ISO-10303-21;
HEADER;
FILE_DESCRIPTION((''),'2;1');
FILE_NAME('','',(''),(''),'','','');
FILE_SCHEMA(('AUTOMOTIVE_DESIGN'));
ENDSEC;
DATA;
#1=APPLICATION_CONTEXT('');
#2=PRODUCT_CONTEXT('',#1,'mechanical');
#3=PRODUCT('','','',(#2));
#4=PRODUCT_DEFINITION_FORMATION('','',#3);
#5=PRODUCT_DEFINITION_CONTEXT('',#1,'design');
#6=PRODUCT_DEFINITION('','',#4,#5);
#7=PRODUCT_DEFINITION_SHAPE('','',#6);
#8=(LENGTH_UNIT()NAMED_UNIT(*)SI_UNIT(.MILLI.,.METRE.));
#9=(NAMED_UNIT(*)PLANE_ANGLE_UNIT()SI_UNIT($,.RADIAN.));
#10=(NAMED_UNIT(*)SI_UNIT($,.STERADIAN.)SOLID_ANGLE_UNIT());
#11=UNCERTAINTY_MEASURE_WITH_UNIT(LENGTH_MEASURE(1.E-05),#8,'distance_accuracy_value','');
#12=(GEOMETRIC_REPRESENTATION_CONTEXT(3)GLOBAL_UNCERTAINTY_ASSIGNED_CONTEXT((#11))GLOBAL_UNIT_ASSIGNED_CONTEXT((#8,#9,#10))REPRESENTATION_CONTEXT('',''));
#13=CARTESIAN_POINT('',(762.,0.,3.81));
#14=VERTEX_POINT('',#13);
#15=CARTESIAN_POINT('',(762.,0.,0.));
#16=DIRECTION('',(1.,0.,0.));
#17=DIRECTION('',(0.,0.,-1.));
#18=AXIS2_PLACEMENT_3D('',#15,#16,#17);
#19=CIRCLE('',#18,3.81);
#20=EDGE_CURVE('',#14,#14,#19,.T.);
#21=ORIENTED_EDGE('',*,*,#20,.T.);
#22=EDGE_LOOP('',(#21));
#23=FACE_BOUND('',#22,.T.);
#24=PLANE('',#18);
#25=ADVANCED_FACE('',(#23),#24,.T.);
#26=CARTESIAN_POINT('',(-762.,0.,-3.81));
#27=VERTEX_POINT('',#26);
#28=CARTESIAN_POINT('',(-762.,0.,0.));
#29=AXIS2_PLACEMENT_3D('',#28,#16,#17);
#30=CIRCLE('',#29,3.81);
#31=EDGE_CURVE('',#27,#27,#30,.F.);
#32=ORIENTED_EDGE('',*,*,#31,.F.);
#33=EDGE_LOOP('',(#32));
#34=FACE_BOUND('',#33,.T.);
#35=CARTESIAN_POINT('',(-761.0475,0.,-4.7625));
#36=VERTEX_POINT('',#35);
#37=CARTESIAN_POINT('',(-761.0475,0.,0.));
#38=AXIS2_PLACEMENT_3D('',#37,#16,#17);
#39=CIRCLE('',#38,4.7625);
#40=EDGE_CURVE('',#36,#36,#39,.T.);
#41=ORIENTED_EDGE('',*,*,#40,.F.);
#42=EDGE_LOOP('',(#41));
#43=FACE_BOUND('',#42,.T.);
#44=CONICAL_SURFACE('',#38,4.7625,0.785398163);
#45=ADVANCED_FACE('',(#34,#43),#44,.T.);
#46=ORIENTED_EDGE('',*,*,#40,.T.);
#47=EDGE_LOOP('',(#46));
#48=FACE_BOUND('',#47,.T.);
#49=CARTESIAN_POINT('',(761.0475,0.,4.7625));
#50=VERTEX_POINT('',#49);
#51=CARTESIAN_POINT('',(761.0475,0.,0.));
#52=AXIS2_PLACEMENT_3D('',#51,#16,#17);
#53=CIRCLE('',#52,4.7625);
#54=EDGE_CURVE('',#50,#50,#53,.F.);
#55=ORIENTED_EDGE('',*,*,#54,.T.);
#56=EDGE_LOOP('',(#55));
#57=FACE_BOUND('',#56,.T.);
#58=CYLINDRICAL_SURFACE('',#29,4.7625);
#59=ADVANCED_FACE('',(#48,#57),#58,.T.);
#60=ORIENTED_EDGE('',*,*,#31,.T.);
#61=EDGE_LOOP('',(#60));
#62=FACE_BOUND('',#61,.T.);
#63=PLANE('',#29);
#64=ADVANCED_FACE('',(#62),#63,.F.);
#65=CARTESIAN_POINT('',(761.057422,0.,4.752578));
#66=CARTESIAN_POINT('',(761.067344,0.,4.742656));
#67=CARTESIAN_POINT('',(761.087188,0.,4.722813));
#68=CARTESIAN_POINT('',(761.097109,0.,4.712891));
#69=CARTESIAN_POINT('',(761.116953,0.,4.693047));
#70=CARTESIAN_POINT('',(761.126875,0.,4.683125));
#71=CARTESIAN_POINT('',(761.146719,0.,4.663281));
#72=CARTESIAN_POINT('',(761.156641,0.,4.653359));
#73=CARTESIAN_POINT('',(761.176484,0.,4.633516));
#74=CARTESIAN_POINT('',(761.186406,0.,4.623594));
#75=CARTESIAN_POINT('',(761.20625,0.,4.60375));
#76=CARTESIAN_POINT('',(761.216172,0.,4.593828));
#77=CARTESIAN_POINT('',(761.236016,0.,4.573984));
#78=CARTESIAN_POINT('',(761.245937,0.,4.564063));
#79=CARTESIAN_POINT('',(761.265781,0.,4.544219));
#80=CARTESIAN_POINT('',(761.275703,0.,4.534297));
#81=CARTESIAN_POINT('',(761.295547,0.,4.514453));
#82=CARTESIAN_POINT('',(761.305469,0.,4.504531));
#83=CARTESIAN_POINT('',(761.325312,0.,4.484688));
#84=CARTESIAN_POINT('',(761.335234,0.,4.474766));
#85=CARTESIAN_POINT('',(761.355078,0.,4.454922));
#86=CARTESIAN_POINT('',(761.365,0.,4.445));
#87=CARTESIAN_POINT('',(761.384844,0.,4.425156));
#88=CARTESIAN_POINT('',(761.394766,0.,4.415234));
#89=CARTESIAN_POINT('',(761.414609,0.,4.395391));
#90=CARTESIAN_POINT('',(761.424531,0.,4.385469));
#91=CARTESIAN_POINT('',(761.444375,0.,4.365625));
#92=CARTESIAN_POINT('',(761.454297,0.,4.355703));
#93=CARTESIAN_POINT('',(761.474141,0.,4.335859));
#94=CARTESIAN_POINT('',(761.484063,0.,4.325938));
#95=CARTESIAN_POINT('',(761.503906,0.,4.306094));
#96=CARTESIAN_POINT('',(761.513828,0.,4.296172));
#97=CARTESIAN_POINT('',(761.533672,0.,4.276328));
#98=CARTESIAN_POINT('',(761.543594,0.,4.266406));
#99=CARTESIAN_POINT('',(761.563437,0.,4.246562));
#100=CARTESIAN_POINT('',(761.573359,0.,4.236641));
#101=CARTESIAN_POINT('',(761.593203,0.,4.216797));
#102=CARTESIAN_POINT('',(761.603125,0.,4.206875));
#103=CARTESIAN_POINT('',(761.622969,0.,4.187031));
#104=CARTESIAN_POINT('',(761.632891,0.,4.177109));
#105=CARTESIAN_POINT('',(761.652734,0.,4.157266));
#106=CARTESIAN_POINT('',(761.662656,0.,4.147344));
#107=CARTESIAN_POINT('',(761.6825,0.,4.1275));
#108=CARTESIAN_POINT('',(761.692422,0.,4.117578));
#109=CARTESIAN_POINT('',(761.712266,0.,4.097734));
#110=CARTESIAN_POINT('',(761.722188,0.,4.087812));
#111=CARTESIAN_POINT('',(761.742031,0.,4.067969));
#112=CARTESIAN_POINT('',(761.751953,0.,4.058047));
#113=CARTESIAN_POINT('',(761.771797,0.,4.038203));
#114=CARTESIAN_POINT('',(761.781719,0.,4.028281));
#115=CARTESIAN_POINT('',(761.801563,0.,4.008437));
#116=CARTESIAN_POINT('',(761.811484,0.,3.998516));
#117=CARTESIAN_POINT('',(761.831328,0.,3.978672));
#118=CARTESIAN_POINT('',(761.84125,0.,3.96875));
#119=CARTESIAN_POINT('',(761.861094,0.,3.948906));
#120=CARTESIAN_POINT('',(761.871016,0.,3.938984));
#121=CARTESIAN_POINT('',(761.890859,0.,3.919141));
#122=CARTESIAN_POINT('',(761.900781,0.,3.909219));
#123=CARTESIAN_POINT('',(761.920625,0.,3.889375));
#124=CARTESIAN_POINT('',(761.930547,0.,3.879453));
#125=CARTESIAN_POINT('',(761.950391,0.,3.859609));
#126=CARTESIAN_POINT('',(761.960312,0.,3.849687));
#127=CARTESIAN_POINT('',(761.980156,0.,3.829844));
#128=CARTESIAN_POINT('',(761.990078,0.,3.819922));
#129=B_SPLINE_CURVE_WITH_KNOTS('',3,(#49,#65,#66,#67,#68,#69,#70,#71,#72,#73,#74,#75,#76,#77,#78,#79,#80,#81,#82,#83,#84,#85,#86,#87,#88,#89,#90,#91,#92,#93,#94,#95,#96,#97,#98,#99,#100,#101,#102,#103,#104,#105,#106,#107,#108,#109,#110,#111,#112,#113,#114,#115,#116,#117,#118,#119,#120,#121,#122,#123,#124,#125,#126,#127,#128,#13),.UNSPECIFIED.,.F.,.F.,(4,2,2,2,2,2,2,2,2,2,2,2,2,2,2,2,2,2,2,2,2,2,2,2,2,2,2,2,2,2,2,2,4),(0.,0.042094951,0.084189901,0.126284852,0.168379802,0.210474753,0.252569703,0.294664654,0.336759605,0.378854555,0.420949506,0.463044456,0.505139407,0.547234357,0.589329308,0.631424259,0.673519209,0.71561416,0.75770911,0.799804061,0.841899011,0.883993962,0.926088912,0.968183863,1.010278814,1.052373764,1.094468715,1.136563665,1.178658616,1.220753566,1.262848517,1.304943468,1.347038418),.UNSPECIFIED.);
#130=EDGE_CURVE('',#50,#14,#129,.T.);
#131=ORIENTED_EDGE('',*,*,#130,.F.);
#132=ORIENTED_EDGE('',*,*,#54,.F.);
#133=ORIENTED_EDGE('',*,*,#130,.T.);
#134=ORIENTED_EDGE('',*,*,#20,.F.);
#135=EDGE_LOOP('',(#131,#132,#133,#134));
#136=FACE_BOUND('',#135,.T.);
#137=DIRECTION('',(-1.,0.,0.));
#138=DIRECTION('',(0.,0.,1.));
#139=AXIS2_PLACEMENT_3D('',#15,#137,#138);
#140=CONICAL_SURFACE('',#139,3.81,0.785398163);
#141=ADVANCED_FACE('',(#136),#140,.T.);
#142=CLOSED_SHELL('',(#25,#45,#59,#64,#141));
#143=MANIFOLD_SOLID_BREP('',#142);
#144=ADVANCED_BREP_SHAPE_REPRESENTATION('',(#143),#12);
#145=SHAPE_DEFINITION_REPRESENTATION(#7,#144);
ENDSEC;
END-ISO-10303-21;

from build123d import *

# Parameters (mm, degrees)
EXTRUDE1_DEPTH      = 762
EXTRUDE1_DEPTH_BACK = 762
SKETCH2_R           = 4.7625
CHAMFER1_SIZE       = 0.9525


with BuildPart() as part:
    # Sketch2 → Extrude1 (new, two sides: drawn at the far end of the back side and taken through both)
    with BuildSketch(Plane(origin=(0, 0, 0), x_dir=(0, 0, -1), z_dir=(1, 0, 0)).offset(-EXTRUDE1_DEPTH_BACK)):
        Circle(SKETCH2_R)
    extrude(amount=EXTRUDE1_DEPTH + EXTRUDE1_DEPTH_BACK)

    # Chamfer1
    chamfer1_edges = [part.edges().sort_by_distance(p)[0] for p in [
        (-762, 0, 4.7625),
        (762, 0, 4.7625),
    ]]
    chamfer(chamfer1_edges, length=CHAMFER1_SIZE)


solid = part.part
